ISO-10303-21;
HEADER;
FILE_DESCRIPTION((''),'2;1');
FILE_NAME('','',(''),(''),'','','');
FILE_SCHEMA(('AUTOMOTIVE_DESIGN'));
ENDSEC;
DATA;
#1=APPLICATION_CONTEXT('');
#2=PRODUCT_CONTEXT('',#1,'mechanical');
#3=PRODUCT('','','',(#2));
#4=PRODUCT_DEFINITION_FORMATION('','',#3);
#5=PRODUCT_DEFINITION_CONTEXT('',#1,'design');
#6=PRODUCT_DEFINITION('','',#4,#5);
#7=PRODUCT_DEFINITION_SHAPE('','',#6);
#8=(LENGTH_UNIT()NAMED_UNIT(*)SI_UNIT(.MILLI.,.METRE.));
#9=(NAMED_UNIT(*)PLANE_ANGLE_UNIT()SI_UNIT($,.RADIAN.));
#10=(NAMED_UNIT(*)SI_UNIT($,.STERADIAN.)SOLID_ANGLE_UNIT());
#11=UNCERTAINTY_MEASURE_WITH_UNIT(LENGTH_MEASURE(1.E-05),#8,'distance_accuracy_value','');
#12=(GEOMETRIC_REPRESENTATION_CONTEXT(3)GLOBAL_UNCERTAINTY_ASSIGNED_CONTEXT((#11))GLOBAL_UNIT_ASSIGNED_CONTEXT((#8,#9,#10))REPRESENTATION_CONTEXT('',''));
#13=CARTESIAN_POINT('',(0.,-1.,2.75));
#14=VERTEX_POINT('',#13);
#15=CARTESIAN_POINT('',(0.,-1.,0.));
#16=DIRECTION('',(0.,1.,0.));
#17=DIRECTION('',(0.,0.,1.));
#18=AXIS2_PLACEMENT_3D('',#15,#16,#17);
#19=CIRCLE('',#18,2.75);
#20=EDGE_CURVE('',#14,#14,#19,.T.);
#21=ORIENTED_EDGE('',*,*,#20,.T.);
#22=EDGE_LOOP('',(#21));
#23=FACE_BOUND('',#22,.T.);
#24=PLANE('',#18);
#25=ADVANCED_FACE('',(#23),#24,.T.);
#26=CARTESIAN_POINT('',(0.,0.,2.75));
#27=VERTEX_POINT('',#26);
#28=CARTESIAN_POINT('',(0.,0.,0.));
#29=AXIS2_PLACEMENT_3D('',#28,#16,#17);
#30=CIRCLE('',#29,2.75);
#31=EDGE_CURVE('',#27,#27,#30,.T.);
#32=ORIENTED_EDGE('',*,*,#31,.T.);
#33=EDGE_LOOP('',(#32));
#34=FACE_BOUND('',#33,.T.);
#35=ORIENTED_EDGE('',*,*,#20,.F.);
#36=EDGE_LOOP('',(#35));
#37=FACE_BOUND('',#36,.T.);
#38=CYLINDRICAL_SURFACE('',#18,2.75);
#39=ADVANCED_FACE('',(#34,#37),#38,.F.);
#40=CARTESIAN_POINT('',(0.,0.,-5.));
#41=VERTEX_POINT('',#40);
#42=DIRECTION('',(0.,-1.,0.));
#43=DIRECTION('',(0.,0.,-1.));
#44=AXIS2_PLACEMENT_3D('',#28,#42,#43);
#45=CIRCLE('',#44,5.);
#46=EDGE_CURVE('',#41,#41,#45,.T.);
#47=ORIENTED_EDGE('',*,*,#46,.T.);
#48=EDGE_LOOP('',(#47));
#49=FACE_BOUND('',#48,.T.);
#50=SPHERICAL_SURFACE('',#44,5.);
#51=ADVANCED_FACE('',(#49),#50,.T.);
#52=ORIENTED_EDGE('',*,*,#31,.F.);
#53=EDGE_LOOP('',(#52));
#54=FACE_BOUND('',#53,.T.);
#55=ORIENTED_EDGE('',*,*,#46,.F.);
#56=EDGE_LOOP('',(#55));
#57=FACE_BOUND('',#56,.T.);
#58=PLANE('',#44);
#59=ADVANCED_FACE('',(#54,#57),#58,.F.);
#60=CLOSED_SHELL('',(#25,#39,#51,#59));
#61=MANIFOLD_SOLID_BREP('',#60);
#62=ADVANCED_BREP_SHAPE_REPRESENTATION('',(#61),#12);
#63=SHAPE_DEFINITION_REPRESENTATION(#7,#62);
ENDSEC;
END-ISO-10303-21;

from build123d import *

# Parameters (mm, degrees)
REVOLVE1_ANGLE     = 180
SKETCH3_R          = 2.75
CUT_EXTRUDE1_DEPTH = 1


with BuildPart() as part:
    # Sketch1 → Revolve1 (revolve)
    with BuildSketch(Plane(origin=(0, 0, 0), x_dir=(1, 0, 0), z_dir=(0, 1, 0))):
        with BuildLine():
            Line((5, 0), (-5, 0))
            ThreePointArc((-5, 0), (0, 5), (5, 0))
        make_face()
    revolve(axis=Axis((5, 0, 0), (-1, 0, 0)), revolution_arc=REVOLVE1_ANGLE)

    # Sketch3 → Cut-Extrude1 (cut)
    with BuildSketch(Plane(origin=(0, 0, 0), x_dir=(1, 0, 0), z_dir=(0, 1, 0))):
        with Locations(Location((0, 0, 0), (0, 0, 270))):
            Circle(SKETCH3_R)
    extrude(amount=-CUT_EXTRUDE1_DEPTH, mode=Mode.SUBTRACT)


solid = part.part
